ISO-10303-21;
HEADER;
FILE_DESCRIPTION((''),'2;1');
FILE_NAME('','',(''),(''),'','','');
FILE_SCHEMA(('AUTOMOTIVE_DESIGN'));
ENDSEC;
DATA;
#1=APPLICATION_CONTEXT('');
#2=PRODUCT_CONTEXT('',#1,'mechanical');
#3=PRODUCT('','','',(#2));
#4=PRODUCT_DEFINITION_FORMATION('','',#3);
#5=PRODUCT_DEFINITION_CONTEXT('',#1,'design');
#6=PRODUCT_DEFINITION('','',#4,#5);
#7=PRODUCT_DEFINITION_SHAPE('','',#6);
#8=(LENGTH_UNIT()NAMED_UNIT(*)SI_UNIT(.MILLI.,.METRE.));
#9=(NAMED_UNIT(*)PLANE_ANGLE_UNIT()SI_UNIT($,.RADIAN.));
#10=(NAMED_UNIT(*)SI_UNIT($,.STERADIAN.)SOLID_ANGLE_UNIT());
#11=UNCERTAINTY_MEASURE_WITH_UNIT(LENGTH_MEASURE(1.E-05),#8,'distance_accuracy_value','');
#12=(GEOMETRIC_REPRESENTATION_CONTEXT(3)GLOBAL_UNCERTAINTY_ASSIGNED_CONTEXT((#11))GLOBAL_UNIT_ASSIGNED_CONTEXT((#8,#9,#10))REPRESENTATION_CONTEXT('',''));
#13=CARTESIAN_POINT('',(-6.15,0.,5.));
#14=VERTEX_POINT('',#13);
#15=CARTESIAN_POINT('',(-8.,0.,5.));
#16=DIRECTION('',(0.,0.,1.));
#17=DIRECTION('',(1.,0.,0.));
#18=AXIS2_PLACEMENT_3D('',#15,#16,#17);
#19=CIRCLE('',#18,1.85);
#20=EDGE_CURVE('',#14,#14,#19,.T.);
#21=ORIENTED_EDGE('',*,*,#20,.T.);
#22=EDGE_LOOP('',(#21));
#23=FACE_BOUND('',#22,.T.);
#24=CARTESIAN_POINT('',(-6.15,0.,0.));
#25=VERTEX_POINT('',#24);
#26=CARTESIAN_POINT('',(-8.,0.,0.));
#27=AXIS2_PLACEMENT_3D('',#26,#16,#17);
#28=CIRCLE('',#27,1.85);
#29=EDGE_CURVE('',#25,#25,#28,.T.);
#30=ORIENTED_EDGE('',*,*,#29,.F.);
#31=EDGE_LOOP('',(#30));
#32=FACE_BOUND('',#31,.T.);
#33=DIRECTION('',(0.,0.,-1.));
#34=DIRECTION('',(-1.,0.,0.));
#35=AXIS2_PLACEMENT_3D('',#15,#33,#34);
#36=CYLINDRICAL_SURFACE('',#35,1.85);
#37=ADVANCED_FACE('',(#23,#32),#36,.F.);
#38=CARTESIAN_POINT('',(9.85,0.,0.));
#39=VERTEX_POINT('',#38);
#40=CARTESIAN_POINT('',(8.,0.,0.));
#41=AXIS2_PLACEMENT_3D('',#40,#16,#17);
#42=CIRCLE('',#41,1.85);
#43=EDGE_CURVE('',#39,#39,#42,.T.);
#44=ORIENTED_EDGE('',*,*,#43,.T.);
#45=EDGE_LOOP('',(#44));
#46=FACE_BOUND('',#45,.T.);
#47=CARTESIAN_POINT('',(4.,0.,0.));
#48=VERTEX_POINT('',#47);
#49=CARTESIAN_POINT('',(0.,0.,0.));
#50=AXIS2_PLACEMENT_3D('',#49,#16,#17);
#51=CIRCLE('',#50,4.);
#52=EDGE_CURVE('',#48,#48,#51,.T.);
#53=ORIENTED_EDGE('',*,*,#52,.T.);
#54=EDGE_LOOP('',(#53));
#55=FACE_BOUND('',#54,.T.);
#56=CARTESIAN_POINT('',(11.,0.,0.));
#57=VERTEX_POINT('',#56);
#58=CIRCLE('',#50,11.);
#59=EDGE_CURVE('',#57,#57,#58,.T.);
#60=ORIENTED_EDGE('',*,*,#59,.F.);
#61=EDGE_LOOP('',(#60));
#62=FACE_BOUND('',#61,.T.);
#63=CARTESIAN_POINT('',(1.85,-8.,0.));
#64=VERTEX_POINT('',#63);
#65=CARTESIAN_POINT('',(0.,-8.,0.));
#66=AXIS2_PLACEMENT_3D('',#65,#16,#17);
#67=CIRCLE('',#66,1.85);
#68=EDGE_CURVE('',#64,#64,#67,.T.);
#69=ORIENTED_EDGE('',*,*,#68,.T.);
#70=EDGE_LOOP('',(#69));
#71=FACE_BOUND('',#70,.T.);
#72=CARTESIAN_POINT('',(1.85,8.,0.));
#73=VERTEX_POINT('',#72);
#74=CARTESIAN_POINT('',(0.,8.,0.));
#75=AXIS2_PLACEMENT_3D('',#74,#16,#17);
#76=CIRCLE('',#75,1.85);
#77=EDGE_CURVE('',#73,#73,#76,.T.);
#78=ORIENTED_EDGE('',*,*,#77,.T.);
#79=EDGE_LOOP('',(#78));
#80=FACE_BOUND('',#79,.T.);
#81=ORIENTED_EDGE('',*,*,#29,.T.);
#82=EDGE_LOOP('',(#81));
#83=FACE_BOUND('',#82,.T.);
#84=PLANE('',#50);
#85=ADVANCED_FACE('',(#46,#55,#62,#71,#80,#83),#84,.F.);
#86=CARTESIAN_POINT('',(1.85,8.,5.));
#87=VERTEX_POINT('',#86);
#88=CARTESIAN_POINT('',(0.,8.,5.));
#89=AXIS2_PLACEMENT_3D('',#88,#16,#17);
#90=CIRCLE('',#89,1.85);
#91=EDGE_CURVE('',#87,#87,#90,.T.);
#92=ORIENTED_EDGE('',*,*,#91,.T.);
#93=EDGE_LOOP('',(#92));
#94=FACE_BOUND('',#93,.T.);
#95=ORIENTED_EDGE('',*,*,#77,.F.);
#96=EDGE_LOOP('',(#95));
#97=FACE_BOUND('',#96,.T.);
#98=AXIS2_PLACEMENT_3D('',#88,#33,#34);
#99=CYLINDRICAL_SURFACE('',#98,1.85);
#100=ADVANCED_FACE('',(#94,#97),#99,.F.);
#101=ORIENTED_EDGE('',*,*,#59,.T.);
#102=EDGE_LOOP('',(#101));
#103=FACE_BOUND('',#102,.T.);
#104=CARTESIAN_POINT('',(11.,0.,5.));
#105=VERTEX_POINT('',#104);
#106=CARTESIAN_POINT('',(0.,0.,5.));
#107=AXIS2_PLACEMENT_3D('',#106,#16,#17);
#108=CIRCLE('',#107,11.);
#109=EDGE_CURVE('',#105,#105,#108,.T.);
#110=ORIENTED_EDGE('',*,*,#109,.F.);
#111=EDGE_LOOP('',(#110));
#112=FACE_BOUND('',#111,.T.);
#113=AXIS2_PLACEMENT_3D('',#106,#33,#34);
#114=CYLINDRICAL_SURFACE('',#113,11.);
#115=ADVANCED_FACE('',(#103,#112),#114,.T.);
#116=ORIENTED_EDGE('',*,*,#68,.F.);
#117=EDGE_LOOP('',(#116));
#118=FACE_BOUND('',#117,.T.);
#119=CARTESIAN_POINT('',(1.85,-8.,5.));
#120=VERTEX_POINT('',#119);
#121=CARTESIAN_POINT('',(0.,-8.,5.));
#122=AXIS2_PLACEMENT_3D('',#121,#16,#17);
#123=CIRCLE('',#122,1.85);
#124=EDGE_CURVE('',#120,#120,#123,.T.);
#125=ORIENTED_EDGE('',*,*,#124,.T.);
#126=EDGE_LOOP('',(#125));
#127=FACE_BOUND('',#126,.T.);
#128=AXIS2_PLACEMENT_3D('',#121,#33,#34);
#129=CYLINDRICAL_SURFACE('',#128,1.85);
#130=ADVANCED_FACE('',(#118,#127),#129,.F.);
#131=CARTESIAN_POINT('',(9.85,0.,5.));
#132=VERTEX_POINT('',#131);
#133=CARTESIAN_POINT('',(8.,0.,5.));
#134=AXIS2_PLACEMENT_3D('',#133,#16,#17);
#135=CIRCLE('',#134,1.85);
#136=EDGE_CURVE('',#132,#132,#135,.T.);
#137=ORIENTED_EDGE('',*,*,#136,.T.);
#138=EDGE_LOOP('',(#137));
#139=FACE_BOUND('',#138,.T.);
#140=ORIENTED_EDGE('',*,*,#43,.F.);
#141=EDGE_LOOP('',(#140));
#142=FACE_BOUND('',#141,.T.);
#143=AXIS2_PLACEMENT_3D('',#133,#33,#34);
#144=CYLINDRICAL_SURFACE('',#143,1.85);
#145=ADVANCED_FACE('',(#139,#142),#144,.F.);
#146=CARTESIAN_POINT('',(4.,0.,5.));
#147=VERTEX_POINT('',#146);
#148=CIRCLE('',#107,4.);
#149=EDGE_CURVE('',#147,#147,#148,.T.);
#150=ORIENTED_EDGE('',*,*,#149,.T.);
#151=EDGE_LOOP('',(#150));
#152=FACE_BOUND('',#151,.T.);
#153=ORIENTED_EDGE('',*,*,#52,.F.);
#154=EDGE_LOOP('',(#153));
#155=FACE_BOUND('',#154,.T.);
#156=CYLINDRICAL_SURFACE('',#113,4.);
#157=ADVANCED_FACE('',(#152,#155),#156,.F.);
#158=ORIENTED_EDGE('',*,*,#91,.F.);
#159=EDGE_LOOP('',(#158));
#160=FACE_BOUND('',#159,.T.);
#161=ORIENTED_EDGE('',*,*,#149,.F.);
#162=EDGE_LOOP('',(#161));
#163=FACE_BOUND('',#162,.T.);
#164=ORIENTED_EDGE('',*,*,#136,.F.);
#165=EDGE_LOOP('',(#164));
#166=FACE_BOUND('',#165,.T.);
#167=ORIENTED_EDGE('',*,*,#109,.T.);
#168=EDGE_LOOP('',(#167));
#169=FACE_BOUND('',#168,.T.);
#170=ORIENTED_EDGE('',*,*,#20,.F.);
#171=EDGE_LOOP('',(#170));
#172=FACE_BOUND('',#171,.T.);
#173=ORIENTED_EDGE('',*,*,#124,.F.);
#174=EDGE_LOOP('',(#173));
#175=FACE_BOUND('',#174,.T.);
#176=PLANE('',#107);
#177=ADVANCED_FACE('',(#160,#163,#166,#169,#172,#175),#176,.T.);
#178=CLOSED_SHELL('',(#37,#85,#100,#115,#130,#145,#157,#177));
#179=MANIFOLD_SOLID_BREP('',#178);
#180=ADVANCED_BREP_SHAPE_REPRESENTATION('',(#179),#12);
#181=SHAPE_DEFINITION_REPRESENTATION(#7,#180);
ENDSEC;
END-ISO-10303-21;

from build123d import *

# Parameters (mm, degrees)
SKETCH1_R           = 11
SKETCH1_R_2         = 1.85
SKETCH1_R_3         = 4
BOSS_EXTRUDE1_DEPTH = 5


with BuildPart() as part:
    # Sketch1 → Boss-Extrude1 (new body)
    with BuildSketch(Plane.XY):
        Circle(SKETCH1_R)
        with Locations((-8, 0)):
            Circle(SKETCH1_R_2, mode=Mode.SUBTRACT)
        with Locations((0, -8)):
            Circle(SKETCH1_R_2, mode=Mode.SUBTRACT)
        with Locations((8, 0)):
            Circle(SKETCH1_R_2, mode=Mode.SUBTRACT)
        with Locations((0, 8)):
            Circle(SKETCH1_R_2, mode=Mode.SUBTRACT)
        Circle(SKETCH1_R_3, mode=Mode.SUBTRACT)
    extrude(amount=BOSS_EXTRUDE1_DEPTH)


solid = part.part
